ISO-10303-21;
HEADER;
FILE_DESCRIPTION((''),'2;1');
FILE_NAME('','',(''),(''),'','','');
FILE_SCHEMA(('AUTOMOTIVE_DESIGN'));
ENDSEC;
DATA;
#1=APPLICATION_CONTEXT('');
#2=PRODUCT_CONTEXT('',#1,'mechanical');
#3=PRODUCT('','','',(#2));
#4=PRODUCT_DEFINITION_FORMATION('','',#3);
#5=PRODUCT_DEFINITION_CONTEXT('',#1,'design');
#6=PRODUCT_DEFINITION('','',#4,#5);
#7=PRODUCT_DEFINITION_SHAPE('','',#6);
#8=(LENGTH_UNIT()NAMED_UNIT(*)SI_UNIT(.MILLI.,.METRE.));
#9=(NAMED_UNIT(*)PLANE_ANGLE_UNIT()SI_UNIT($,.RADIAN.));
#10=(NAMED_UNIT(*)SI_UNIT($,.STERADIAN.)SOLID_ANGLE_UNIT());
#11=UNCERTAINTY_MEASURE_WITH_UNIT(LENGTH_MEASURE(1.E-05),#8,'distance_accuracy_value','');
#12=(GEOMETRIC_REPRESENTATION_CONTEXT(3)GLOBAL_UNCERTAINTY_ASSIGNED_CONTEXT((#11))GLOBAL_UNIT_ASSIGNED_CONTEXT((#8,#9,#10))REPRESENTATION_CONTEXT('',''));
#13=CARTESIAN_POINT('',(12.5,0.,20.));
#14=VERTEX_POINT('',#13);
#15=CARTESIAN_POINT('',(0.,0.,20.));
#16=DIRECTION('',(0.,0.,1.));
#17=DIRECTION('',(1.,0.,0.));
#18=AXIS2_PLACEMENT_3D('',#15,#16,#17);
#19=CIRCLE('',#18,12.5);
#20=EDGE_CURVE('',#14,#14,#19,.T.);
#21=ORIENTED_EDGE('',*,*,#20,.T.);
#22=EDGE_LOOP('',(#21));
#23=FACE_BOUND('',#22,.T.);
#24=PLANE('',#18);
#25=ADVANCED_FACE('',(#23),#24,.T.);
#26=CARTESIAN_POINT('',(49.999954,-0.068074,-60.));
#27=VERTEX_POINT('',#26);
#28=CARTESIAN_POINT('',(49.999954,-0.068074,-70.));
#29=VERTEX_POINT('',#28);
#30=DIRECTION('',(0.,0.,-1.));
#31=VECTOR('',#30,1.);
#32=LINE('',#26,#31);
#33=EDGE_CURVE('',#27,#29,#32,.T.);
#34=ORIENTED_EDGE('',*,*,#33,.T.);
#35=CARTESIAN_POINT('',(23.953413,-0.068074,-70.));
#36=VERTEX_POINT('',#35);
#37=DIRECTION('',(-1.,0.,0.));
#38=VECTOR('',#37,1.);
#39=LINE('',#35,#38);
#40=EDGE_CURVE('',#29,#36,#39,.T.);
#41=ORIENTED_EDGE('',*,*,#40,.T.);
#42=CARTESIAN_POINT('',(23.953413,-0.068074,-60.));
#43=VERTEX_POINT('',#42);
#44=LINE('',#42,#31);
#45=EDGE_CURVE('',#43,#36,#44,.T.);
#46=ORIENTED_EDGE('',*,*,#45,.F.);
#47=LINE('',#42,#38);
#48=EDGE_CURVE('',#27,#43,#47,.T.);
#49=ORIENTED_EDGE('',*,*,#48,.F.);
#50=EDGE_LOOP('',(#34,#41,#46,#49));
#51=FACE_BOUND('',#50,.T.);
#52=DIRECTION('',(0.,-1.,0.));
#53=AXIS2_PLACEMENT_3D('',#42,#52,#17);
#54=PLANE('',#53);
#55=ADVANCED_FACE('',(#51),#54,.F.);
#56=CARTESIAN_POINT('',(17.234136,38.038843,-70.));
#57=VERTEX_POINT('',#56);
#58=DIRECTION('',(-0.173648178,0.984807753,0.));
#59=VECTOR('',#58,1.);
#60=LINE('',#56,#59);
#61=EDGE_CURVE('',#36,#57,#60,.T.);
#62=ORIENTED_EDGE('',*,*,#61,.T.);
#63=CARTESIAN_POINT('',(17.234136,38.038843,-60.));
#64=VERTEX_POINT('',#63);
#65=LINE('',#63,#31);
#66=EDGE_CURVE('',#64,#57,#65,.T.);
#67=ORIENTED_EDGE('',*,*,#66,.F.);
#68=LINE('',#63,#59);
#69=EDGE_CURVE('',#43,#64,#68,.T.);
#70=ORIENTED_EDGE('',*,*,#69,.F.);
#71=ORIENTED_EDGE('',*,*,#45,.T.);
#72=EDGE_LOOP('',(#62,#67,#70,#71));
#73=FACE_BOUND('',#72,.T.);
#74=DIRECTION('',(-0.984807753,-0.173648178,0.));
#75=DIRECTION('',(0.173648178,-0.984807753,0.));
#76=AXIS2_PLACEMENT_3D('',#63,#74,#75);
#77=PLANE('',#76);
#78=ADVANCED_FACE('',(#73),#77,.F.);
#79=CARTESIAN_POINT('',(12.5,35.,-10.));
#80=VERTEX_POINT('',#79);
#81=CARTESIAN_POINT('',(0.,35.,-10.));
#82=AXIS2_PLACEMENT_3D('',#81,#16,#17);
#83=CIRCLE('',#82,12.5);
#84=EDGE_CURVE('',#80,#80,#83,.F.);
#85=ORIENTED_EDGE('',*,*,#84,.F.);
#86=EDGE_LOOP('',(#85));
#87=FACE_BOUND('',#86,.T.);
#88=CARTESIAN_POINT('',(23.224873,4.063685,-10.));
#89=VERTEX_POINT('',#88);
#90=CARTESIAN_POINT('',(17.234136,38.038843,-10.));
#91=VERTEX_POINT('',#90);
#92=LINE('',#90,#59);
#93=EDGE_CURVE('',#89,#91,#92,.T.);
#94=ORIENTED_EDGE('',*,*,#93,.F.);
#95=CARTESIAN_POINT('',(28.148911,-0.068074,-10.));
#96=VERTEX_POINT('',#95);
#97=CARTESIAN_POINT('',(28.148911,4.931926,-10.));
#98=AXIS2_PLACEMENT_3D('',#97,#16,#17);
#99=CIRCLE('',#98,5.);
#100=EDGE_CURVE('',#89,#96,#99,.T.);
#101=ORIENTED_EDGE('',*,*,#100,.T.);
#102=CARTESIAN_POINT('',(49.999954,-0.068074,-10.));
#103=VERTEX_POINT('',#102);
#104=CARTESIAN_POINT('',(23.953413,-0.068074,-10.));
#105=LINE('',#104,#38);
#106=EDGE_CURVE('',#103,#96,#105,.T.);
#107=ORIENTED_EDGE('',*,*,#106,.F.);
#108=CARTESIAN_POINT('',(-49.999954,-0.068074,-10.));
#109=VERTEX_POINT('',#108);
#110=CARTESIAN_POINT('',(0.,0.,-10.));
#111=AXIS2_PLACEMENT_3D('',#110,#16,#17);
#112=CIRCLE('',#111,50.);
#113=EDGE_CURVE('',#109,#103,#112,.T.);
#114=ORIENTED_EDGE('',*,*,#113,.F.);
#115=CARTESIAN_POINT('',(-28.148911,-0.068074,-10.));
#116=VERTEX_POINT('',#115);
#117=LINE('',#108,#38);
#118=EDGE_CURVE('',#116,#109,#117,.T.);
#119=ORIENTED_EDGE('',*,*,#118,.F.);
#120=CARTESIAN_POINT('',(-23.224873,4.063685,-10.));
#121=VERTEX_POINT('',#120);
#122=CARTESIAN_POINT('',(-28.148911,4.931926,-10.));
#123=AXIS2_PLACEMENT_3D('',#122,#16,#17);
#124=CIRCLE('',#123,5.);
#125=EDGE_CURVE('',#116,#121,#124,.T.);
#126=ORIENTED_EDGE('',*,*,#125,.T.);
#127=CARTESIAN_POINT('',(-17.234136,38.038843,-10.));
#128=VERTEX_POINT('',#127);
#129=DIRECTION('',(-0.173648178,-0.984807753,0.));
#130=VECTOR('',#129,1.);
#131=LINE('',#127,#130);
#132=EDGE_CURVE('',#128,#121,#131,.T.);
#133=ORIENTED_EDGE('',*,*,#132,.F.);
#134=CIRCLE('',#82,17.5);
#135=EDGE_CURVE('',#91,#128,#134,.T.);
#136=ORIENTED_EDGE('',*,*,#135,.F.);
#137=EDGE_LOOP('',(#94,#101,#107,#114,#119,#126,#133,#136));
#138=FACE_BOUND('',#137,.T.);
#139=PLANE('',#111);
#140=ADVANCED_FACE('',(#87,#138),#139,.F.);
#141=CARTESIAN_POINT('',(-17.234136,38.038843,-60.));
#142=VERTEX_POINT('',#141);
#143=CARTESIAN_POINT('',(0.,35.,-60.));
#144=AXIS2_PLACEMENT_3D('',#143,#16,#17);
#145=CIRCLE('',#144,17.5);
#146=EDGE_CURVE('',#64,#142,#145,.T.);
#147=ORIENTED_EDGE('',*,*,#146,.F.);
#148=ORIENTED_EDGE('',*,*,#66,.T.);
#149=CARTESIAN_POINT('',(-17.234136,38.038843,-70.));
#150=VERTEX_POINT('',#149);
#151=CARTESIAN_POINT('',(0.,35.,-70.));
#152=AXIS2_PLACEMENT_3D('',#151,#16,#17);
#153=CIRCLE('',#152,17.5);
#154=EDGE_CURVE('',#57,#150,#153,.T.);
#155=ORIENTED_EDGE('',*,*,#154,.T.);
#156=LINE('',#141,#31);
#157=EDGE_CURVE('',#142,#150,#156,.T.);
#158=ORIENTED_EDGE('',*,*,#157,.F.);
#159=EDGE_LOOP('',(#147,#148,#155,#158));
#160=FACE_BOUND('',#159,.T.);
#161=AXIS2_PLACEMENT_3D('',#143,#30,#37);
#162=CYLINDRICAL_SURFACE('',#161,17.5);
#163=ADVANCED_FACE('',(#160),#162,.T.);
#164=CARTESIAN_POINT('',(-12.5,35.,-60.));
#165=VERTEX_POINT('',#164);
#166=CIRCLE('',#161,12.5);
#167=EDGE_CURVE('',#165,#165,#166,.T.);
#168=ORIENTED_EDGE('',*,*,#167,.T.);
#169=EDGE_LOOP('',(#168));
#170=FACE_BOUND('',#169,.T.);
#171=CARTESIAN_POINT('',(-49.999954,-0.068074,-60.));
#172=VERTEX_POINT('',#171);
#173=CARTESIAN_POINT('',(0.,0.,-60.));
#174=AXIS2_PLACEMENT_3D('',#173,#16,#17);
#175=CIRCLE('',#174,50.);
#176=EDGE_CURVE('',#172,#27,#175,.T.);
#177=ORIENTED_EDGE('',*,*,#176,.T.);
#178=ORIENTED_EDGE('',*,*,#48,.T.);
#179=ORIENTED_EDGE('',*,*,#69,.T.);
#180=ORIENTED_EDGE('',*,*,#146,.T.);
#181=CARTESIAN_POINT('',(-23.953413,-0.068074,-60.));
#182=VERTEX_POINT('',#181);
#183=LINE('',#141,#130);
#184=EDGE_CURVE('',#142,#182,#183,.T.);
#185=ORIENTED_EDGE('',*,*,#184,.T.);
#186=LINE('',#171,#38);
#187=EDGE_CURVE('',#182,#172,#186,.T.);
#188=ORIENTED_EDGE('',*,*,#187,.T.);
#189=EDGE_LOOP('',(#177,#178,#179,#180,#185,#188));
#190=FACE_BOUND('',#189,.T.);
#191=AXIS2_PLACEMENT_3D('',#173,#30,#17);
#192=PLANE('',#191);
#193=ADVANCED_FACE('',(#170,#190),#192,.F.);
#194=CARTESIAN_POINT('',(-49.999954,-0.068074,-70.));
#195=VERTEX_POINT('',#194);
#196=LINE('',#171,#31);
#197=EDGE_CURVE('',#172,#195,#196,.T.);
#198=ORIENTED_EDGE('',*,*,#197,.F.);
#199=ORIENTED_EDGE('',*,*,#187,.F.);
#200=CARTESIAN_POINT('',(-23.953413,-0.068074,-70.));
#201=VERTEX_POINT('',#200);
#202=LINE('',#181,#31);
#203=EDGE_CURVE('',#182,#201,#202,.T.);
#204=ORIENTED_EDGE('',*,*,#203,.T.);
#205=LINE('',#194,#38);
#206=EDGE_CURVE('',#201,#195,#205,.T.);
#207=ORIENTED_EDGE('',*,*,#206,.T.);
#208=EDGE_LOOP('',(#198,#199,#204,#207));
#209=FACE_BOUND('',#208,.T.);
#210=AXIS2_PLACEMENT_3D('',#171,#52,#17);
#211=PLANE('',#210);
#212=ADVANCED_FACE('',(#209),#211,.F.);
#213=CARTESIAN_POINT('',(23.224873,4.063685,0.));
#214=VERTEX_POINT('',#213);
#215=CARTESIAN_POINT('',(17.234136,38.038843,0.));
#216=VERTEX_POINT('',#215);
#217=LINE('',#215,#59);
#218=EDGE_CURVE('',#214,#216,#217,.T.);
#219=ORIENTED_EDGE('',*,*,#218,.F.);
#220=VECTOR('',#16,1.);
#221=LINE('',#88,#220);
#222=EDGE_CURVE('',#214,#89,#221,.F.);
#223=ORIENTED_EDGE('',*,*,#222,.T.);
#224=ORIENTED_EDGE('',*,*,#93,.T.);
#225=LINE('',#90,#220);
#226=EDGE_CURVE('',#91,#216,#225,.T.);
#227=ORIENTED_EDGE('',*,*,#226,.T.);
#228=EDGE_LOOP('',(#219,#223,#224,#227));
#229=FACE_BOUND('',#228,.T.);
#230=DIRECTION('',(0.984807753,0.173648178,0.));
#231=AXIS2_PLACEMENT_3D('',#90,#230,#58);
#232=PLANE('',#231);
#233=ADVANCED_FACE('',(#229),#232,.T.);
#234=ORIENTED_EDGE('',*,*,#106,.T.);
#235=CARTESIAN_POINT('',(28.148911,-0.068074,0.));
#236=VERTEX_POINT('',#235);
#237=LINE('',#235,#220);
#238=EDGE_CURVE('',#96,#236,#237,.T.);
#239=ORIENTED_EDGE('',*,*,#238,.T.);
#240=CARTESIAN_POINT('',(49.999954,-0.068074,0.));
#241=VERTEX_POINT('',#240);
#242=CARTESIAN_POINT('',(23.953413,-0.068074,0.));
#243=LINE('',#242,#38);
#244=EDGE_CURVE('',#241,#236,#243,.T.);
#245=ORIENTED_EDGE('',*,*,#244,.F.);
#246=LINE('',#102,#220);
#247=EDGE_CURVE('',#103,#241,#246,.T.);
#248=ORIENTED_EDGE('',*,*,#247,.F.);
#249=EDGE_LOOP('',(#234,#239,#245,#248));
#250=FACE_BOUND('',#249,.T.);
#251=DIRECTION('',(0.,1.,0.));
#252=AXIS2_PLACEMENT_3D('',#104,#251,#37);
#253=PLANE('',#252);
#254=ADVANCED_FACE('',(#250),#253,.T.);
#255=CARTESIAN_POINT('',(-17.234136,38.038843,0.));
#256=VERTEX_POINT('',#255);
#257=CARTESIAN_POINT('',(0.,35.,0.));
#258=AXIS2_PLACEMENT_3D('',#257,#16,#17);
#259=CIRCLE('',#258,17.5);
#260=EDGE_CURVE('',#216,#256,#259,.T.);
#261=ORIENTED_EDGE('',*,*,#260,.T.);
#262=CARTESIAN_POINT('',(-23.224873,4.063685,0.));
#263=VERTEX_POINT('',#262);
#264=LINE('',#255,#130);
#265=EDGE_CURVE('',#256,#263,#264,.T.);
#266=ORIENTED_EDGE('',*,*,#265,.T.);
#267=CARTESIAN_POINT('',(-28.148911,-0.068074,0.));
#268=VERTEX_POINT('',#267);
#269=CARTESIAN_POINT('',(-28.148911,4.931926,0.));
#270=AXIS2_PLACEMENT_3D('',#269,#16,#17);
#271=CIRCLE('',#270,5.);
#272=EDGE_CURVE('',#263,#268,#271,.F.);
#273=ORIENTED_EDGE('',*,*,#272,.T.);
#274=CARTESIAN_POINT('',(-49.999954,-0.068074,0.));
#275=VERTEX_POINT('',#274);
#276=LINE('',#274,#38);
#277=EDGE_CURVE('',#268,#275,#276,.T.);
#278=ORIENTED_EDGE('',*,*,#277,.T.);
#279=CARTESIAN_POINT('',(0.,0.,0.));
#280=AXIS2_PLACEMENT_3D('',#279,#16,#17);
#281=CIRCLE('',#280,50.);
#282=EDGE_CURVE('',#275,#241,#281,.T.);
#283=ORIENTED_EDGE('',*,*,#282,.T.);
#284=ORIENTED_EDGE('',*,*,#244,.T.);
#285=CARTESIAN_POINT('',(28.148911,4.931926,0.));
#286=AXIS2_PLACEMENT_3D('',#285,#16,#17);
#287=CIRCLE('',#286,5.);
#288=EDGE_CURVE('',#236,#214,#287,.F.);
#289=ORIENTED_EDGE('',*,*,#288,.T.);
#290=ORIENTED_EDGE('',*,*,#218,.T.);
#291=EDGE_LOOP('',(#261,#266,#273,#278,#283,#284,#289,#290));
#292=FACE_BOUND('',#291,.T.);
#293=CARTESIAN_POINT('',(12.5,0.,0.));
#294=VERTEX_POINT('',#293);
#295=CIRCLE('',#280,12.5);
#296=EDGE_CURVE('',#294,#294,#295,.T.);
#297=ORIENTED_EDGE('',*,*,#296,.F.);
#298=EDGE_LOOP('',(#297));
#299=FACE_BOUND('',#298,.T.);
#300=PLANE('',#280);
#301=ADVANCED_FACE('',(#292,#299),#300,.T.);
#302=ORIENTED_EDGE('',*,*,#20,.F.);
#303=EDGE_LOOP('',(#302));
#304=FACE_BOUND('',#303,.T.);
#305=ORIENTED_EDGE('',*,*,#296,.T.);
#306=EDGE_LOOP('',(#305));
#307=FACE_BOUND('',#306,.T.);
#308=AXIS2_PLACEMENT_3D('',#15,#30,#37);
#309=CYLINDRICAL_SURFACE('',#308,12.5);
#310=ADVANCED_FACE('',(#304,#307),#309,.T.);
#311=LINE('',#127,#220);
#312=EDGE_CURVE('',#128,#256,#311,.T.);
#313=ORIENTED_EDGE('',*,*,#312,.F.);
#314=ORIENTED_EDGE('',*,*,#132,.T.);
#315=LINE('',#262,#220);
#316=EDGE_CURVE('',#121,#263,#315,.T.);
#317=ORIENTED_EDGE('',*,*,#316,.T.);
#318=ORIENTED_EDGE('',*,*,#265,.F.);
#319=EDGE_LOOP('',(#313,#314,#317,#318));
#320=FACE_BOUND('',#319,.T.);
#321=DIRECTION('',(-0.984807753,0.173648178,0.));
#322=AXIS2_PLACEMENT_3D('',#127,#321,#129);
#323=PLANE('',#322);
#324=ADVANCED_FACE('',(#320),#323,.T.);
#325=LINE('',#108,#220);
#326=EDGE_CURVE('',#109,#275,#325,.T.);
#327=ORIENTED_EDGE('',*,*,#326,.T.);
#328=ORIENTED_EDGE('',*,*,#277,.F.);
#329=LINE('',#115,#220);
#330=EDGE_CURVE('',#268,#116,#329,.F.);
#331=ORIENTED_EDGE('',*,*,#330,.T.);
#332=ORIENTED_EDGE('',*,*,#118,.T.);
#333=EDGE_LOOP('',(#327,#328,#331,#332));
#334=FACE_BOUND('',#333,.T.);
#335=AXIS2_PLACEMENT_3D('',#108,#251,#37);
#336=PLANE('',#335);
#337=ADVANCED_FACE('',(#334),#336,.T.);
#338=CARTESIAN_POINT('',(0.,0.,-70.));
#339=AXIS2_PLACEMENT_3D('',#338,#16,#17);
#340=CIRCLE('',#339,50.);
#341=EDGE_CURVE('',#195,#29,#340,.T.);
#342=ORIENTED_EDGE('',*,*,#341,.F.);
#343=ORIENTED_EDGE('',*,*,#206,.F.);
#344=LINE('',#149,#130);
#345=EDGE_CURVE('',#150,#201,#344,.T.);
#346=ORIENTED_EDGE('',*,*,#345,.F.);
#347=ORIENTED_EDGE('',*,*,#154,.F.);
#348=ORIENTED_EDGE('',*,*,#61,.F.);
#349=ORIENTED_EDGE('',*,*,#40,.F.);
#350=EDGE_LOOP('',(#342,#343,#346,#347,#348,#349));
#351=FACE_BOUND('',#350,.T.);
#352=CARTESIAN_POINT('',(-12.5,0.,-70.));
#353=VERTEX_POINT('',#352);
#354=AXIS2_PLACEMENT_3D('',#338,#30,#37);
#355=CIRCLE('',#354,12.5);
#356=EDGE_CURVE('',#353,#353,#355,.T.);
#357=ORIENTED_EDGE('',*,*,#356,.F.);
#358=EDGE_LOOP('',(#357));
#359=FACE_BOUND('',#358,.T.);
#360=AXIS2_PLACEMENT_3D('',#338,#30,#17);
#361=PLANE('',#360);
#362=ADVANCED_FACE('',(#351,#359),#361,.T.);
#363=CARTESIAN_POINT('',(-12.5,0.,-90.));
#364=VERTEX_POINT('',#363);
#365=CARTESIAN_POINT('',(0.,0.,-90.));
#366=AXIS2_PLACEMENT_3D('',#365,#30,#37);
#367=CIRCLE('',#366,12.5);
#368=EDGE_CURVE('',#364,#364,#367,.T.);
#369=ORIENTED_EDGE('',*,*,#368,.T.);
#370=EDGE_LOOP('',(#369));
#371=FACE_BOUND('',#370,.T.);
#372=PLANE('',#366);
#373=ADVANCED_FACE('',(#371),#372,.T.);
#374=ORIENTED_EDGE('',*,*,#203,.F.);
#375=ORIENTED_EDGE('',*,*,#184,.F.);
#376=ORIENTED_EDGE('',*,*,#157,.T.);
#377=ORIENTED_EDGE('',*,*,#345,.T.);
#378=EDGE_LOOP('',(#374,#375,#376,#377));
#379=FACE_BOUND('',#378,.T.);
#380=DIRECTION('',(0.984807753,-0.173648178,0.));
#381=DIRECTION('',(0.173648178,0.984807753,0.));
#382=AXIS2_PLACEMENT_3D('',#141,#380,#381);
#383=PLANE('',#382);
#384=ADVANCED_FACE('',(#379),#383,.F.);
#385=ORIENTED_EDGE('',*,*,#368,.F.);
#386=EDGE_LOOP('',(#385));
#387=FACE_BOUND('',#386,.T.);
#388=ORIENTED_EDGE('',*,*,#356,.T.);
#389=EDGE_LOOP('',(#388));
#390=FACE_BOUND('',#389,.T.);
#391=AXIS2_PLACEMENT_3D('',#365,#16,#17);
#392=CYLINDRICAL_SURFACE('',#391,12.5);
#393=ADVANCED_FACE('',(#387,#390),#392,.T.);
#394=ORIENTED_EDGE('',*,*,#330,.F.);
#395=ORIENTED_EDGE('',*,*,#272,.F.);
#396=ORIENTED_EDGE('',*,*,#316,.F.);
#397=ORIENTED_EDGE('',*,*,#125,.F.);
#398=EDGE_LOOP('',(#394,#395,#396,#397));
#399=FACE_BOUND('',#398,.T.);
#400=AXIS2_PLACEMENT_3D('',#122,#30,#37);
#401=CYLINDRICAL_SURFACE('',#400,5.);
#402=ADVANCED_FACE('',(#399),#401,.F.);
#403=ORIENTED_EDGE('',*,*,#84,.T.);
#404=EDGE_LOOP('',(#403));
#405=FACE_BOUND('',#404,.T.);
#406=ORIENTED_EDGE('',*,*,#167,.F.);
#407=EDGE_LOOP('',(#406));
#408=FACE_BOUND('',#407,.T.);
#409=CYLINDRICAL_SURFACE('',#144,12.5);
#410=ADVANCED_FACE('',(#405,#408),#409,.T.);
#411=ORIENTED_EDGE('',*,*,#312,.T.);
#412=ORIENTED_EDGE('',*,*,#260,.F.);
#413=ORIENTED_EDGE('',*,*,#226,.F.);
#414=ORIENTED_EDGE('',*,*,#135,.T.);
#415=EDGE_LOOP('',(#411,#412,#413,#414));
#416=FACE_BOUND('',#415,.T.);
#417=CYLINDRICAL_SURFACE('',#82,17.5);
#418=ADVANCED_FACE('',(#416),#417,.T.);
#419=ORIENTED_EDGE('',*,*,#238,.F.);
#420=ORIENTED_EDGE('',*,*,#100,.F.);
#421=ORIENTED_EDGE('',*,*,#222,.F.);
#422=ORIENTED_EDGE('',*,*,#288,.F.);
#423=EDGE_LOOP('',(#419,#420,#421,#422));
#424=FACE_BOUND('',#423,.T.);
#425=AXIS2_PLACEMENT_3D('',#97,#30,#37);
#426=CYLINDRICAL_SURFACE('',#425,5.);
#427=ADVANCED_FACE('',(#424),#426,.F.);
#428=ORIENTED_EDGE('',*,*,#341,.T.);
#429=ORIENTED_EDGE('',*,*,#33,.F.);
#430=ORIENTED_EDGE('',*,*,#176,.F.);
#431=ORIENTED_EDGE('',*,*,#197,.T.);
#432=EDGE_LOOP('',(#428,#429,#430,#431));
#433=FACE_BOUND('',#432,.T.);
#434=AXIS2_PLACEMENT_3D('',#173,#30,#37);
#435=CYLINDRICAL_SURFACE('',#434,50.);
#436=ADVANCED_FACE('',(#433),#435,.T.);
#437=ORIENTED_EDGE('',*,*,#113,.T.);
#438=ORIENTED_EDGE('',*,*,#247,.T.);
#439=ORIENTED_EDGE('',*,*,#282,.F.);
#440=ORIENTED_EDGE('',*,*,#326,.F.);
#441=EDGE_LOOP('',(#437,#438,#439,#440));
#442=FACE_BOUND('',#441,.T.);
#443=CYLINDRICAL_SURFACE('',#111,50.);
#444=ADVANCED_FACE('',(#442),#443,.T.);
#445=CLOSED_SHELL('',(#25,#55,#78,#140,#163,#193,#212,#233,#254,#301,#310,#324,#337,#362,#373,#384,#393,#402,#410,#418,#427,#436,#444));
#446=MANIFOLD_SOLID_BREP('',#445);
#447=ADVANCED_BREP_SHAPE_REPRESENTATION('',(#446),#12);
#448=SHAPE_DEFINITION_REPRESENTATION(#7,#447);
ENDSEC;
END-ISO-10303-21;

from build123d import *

# Parameters (mm, degrees)
SKETCH2_R           = 12.5
BOSS_EXTRUDE1_DEPTH = 20
BOSS_EXTRUDE2_DEPTH = 10
FILLET1_R           = 5
SKETCH4_R           = 12.5
BOSS_EXTRUDE3_DEPTH = 50
BOSS_EXTRUDE4_START = 20
SKETCH5_R           = 12.5
BOSS_EXTRUDE4_DEPTH = 20


with BuildPart() as part:
    # Sketch2 → Boss-Extrude1 (new body)
    with BuildSketch(Plane.XY):
        Circle(SKETCH2_R)
    extrude(amount=BOSS_EXTRUDE1_DEPTH)

    # Sketch3 → Boss-Extrude2 (add)
    with BuildSketch(Plane.XY):
        with BuildLine():
            Line((-49.999953659, -0.068074118), (-23.953413336, -0.068074118))
            Line((-23.953413336, -0.068074118), (-17.234135678, 38.038843109))
            ThreePointArc((-17.234135678, 38.038843109), (0, 52.5), (17.234135678, 38.038843109))
            Line((17.234135678, 38.038843109), (23.953413336, -0.068074118))
            Line((23.953413336, -0.068074118), (49.999953659, -0.068074118))
            ThreePointArc((49.999953659, -0.068074118), (0, -50), (-49.999953659, -0.068074118))
        make_face()
    boss_extrude2 = extrude(amount=-BOSS_EXTRUDE2_DEPTH)

    # Fillet1
    fillet1_edges = [part.edges().sort_by_distance(p)[0] for p in [
        (-23.953413336, -0.068074118, -5),
        (23.953413336, -0.068074118, -5),
    ]]
    fillet(fillet1_edges, radius=FILLET1_R)

    # Sketch4 → Boss-Extrude3 (add)
    with BuildSketch(Plane(origin=(0, 0, -10), x_dir=(-1, 0, 0), z_dir=(0, 0, -1))):
        with Locations(Location((0, 35, 0), (0, 0, 180))):
            Circle(SKETCH4_R)
    extrude(amount=BOSS_EXTRUDE3_DEPTH)

    # Mirror1: Boss-Extrude2 across plane
    add(boss_extrude2.mirror(Plane(origin=(0, 0, -35), x_dir=(1, 0, 0), z_dir=(0, 0, -1))))

    # Sketch5 → Boss-Extrude4 (add)
    with BuildSketch(Plane(origin=(0, 0, -70), x_dir=(-1, 0, 0), z_dir=(0, 0, -1)).offset(BOSS_EXTRUDE4_START)):
        with Locations(Location((0, 0, 0), (0, 0, 180))):
            Circle(SKETCH5_R)
    extrude(amount=-BOSS_EXTRUDE4_DEPTH)


solid = part.part
